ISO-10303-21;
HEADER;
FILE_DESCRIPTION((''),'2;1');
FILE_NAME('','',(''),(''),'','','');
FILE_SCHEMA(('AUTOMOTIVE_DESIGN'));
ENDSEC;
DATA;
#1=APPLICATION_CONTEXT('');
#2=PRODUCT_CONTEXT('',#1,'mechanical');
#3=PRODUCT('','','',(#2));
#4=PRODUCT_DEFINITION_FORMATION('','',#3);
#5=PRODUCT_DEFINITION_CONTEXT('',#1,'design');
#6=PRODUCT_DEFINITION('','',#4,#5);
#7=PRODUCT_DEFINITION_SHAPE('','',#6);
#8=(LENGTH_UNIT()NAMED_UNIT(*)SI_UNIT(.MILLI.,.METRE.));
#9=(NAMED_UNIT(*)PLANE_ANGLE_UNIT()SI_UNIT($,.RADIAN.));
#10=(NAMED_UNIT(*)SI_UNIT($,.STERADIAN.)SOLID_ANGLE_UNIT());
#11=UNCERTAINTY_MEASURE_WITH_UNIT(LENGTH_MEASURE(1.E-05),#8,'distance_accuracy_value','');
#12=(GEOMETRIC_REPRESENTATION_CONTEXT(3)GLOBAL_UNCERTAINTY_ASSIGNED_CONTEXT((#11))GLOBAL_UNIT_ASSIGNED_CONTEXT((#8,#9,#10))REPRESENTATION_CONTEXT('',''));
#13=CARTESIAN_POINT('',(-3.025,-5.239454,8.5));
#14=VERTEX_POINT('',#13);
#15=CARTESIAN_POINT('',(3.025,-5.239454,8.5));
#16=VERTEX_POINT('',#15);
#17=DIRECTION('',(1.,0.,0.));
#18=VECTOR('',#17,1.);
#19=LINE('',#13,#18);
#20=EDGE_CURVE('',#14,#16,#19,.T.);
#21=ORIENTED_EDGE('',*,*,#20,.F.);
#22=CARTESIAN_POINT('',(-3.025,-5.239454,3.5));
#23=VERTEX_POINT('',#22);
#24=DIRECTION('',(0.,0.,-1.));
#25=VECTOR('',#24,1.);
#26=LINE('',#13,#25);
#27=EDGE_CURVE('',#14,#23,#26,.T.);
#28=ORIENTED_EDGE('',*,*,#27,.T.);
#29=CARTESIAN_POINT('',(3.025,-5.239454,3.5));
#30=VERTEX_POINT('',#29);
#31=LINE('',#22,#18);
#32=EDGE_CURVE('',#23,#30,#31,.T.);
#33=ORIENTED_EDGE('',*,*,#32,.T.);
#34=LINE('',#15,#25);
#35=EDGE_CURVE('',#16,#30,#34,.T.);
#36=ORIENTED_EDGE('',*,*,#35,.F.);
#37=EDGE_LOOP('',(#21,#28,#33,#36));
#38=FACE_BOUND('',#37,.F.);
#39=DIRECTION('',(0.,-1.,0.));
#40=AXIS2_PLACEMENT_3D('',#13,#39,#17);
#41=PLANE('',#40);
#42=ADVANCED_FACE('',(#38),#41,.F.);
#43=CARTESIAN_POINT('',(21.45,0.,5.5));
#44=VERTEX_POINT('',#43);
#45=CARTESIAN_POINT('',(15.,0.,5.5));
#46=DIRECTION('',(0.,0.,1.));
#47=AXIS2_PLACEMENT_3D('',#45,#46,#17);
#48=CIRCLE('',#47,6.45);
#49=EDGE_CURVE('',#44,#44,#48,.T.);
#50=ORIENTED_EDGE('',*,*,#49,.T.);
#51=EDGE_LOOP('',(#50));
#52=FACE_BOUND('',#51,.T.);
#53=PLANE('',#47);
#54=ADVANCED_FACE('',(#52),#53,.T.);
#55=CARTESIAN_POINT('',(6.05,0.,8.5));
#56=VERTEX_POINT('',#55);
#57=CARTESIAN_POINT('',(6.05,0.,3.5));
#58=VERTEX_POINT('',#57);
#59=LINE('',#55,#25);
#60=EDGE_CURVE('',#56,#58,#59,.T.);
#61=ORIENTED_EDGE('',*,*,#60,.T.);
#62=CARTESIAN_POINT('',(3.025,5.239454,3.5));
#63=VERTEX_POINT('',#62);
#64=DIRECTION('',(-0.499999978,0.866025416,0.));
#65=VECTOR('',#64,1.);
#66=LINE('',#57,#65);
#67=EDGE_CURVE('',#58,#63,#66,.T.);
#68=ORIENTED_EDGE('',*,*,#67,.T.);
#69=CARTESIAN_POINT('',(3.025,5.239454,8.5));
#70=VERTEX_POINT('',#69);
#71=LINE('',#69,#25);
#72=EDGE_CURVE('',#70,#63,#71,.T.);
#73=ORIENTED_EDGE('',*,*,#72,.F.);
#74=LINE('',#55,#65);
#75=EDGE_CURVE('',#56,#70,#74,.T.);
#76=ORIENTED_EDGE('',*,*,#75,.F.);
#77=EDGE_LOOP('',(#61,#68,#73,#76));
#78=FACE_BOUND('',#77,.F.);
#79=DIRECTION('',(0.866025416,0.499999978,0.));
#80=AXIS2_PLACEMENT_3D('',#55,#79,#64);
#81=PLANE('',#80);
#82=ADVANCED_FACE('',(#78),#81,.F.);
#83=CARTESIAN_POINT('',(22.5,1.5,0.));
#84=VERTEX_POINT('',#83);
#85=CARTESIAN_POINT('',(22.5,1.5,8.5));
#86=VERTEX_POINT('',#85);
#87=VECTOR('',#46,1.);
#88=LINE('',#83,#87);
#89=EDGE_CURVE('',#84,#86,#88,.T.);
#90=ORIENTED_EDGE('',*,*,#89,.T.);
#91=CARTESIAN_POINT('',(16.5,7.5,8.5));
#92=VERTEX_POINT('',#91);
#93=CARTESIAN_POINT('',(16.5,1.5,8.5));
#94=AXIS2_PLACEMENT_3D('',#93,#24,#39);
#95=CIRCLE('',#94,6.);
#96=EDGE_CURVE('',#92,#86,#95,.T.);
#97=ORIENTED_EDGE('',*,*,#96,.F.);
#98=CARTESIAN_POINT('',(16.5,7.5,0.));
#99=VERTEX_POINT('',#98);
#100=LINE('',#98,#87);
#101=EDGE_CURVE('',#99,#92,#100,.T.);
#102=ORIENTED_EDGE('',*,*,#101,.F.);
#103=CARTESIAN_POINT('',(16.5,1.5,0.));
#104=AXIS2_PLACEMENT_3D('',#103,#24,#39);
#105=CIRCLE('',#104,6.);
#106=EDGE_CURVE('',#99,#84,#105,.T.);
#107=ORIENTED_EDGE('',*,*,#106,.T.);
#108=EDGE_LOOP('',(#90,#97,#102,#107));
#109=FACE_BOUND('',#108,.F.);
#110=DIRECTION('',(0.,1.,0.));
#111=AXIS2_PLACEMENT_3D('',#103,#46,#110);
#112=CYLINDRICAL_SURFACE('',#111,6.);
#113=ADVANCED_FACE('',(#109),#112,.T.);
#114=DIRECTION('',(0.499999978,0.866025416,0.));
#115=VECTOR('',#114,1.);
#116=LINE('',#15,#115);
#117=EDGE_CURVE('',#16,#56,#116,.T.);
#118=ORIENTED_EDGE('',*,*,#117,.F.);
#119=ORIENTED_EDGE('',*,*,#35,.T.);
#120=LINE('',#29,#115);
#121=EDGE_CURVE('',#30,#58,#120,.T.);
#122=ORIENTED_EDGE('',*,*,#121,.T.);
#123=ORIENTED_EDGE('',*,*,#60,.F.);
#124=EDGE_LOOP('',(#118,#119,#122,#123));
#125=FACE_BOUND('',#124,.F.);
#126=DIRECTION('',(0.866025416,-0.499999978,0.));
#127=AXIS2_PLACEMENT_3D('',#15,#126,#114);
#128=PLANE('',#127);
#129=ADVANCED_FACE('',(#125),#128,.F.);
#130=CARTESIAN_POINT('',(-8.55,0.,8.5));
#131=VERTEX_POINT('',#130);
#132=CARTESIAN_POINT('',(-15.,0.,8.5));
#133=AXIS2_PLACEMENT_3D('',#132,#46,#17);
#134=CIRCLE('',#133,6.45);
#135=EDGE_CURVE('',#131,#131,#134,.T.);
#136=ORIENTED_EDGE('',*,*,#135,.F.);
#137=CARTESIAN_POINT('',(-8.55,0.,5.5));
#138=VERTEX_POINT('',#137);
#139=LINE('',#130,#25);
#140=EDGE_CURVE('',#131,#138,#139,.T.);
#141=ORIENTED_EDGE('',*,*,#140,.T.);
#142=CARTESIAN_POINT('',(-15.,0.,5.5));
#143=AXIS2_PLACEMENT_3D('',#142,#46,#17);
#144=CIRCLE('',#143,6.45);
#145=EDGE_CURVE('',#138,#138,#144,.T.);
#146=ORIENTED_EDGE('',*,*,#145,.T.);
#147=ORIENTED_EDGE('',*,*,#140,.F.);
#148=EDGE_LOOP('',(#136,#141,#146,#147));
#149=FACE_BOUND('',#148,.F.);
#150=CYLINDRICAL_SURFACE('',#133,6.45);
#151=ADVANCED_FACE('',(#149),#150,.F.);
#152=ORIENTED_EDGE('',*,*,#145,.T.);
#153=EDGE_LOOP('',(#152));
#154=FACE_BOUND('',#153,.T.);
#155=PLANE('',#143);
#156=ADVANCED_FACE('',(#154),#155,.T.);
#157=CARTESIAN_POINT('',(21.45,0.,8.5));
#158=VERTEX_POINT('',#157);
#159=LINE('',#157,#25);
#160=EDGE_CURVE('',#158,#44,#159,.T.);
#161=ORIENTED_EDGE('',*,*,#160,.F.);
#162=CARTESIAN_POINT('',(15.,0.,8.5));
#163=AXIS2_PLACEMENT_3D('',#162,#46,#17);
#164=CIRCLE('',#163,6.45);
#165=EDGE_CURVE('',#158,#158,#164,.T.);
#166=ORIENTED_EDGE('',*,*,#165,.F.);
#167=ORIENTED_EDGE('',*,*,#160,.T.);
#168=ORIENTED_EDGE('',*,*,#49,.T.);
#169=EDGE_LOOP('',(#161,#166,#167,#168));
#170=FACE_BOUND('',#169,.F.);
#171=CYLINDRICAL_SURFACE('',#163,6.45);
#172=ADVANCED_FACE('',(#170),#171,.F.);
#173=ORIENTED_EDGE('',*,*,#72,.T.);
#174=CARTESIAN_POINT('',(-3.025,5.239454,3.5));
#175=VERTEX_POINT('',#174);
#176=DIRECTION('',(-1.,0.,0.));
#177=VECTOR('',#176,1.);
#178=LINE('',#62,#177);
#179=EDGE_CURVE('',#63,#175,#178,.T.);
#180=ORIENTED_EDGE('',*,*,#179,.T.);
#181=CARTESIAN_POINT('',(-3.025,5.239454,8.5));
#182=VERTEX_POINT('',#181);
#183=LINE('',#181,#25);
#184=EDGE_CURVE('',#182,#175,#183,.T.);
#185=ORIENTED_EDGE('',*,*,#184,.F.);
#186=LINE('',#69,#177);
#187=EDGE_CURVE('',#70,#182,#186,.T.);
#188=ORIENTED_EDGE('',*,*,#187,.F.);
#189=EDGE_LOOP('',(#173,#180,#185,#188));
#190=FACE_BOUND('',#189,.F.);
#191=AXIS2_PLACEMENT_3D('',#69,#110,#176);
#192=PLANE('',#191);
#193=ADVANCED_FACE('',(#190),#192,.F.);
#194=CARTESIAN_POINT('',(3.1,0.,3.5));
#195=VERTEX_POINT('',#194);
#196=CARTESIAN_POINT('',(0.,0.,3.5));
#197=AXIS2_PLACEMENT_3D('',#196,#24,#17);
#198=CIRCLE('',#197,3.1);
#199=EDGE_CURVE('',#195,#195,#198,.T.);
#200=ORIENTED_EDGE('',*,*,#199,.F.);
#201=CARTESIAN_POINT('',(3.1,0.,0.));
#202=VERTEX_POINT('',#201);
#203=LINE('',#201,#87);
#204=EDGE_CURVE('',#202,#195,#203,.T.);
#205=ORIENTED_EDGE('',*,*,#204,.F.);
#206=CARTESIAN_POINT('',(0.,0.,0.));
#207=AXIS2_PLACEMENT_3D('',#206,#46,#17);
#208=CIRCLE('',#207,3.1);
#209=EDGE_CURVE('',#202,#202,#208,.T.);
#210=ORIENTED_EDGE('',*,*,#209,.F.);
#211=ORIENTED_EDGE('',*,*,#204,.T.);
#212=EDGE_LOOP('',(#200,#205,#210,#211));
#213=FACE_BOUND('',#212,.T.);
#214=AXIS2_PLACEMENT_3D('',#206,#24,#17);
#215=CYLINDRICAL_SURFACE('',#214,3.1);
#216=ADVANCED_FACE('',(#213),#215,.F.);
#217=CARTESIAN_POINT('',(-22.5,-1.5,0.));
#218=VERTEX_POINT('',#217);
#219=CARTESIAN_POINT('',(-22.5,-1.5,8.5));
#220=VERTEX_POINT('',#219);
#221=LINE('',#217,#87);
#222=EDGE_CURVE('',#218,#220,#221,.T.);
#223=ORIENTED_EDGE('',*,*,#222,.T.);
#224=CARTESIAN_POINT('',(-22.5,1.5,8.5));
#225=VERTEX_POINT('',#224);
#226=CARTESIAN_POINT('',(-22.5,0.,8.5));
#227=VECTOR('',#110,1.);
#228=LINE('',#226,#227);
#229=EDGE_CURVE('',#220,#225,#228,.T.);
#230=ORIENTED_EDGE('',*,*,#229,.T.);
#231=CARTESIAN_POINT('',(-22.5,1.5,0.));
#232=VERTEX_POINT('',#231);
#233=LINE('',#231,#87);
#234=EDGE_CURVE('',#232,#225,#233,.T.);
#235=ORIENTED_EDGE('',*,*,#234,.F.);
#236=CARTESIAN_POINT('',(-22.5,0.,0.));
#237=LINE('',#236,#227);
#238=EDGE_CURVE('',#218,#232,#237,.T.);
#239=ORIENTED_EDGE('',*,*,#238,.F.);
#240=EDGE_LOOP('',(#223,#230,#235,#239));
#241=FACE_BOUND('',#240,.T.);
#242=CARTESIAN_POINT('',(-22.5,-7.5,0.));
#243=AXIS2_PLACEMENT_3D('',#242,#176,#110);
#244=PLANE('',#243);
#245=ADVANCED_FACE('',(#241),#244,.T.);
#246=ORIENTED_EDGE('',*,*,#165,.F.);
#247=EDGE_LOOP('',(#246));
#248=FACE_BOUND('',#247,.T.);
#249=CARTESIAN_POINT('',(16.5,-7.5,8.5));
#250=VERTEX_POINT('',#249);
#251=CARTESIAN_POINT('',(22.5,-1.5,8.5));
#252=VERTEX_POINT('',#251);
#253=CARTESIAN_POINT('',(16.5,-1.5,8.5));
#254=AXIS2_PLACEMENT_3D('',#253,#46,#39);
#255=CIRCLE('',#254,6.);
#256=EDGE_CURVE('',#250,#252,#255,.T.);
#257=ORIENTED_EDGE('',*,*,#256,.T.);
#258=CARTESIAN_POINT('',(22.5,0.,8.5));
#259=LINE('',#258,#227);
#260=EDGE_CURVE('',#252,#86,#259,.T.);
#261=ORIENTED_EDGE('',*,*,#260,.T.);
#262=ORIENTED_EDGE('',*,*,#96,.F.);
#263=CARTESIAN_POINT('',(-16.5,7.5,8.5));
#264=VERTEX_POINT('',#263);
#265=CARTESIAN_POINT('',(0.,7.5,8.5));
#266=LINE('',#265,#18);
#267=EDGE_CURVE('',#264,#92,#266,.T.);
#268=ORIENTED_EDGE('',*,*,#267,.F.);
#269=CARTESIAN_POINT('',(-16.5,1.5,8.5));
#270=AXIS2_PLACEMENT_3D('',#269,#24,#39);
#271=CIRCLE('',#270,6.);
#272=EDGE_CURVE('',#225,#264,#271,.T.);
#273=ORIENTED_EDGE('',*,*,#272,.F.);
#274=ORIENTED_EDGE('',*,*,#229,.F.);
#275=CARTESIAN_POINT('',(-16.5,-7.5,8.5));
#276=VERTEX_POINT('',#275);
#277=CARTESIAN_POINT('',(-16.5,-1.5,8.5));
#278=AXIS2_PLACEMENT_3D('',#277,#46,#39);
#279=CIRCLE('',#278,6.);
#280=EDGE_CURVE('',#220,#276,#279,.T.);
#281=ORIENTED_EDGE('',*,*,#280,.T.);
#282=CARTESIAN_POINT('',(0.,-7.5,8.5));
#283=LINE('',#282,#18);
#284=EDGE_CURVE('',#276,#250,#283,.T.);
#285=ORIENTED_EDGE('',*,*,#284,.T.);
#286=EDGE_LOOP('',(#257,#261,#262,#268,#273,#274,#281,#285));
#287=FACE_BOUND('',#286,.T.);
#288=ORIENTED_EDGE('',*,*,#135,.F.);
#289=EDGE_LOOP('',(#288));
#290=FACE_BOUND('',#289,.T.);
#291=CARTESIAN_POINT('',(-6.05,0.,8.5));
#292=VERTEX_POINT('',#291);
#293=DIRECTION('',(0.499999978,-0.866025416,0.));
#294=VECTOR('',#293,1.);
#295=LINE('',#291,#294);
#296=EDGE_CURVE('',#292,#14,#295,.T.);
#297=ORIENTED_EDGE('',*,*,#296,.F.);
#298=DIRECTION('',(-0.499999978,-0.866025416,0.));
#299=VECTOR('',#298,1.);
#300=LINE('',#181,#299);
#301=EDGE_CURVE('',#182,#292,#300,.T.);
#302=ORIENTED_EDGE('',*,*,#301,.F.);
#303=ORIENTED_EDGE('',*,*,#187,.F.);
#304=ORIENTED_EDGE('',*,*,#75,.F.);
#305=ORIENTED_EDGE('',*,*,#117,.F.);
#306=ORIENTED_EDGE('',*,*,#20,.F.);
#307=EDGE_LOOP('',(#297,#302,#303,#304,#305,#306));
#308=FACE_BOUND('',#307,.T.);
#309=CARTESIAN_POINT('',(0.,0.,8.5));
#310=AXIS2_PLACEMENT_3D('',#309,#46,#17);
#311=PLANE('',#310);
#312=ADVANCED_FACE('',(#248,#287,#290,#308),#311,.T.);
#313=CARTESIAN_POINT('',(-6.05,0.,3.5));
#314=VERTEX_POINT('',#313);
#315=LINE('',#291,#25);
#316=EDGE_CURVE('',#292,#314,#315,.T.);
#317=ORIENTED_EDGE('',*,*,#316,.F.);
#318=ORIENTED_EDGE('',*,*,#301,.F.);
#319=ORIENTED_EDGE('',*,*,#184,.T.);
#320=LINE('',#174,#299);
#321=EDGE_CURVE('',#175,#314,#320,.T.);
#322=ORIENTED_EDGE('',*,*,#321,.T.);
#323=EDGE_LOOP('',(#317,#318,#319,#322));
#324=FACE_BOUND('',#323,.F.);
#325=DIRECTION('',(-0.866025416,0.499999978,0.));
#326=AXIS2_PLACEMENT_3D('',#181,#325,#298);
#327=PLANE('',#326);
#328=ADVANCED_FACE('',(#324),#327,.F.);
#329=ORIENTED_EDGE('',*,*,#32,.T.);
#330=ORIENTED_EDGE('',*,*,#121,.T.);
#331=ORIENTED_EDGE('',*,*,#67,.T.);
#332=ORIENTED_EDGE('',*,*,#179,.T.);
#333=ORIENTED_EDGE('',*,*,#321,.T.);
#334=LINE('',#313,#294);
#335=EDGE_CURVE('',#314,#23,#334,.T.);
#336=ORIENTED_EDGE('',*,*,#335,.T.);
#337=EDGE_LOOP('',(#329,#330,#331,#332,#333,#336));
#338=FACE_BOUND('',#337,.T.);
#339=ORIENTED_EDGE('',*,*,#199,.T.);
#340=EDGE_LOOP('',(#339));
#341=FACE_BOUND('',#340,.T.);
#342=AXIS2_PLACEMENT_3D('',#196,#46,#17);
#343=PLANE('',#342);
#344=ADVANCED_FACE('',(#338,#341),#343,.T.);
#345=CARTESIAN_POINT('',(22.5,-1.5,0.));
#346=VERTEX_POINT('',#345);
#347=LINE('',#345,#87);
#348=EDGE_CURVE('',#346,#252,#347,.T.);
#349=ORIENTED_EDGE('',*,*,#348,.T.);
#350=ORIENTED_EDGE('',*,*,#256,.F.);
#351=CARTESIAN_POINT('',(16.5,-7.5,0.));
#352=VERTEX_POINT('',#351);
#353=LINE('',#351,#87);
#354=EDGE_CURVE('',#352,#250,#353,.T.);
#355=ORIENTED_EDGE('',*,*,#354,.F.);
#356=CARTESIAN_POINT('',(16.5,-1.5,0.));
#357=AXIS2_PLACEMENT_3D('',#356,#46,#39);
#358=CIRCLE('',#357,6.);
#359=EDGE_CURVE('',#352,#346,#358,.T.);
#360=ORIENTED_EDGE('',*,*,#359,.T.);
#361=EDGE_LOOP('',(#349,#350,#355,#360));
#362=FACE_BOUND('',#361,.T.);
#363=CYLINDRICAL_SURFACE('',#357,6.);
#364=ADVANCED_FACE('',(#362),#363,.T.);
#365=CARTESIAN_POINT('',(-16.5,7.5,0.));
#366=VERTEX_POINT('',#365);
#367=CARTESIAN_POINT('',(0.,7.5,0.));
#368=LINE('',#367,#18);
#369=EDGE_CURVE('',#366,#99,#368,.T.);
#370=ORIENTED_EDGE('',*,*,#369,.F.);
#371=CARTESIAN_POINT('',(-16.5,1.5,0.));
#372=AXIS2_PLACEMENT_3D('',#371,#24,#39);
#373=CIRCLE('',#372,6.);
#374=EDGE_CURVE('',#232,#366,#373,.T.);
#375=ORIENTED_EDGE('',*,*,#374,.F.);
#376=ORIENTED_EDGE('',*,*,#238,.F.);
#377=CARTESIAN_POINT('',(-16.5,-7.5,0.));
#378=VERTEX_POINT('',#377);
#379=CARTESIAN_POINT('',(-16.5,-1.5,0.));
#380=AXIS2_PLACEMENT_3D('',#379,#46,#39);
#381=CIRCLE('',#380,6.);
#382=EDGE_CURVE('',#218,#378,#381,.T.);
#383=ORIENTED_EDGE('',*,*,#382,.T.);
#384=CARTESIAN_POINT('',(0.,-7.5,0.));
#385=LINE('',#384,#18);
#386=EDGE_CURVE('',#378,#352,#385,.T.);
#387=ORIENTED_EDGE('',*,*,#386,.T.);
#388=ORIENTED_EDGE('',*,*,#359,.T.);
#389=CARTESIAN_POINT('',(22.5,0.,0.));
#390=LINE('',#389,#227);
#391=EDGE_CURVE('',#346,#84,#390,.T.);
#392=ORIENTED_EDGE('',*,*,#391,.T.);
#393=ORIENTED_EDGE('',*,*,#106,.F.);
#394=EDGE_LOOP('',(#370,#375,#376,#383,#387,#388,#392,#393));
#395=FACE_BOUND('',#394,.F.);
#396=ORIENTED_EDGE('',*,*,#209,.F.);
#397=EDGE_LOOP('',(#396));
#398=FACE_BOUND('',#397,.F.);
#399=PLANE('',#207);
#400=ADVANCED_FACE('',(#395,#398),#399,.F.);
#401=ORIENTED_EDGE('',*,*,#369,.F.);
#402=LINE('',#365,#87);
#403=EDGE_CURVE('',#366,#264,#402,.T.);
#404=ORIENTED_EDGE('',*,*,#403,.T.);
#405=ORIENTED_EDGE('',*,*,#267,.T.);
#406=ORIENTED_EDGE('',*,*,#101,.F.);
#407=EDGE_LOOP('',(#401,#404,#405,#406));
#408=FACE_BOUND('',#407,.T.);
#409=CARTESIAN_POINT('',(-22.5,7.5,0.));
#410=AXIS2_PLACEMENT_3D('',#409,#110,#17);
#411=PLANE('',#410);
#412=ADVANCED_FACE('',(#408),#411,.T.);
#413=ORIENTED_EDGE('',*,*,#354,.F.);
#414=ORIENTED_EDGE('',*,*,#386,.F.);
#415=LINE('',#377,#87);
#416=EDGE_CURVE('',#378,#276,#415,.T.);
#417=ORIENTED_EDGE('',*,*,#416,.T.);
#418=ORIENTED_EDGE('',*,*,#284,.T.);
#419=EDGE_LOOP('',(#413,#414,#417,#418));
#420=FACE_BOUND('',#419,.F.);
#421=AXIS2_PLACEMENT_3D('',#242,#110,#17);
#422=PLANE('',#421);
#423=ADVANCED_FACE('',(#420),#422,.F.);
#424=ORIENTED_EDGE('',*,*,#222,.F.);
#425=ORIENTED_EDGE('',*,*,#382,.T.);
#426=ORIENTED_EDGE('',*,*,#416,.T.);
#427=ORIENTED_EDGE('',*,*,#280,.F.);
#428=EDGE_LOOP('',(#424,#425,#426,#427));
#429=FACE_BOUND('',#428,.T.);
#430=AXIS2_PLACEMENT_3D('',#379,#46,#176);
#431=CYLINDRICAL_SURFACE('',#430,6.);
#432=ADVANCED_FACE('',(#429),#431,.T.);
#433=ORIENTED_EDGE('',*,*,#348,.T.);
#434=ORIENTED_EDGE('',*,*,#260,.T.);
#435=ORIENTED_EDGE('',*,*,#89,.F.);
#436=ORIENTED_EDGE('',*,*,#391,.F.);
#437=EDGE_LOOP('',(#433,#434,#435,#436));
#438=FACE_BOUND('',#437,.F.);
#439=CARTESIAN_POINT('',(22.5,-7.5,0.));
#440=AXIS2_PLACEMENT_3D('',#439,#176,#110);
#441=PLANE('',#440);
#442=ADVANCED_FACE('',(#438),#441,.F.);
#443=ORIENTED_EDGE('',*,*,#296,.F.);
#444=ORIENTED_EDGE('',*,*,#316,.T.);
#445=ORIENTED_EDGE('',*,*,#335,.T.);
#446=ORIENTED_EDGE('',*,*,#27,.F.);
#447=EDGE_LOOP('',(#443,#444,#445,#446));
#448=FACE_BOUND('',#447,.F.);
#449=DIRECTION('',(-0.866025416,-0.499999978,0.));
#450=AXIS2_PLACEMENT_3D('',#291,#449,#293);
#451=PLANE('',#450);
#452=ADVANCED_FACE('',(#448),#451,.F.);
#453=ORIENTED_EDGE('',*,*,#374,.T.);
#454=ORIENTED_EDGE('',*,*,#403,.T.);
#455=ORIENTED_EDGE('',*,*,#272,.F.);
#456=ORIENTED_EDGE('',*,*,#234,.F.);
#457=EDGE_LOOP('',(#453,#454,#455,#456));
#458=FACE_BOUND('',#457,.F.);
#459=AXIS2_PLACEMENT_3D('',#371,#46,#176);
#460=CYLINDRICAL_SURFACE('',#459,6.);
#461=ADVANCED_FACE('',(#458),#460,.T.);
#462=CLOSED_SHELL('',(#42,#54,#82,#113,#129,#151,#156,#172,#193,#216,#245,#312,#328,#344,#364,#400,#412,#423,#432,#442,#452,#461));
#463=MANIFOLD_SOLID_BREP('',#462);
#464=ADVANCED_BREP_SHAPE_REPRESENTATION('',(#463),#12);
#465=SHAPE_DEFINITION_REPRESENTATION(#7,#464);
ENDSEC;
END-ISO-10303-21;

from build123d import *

# Parameters (mm, degrees)
SKETCH_W        = 45
SKETCH_H        = 15
SKETCH_R        = 3.1
PAD_DEPTH       = 8.5
POCKET_DEPTH    = 5
SKETCH002_R     = 6.45
POCKET001_DEPTH = 3
FILLET_R        = 6


with BuildPart() as part:
    # Sketch → Pad (new body)
    with BuildSketch(Plane.XY):
        Rectangle(SKETCH_W, SKETCH_H)
        Circle(SKETCH_R, mode=Mode.SUBTRACT)
    extrude(amount=PAD_DEPTH)

    # Sketch001 → Pocket (cut)
    with BuildSketch(Plane.XY.offset(8.5)):
        Polygon((3.025, -5.239454), (6.05, 0), (3.025, 5.239454), (-3.025, 5.239454), (-6.05, 0), (-3.025, -5.239454), align=None)
    extrude(amount=-POCKET_DEPTH, mode=Mode.SUBTRACT)

    # Sketch002 → Pocket001 (cut)
    with BuildSketch(Plane.XY.offset(8.5)):
        with Locations((15, 0)):
            Circle(SKETCH002_R)
        with Locations((-15, 0)):
            Circle(SKETCH002_R)
    extrude(amount=-POCKET001_DEPTH, mode=Mode.SUBTRACT)

    # Fillet
    fillet_edges = [part.edges().sort_by_distance(p)[0] for p in [
        (-22.5, -7.5, 4.25),
        (-22.5, 7.5, 4.25),
        (22.5, 7.5, 4.25),
        (22.5, -7.5, 4.25),
    ]]
    fillet(fillet_edges, radius=FILLET_R)


solid = part.part
